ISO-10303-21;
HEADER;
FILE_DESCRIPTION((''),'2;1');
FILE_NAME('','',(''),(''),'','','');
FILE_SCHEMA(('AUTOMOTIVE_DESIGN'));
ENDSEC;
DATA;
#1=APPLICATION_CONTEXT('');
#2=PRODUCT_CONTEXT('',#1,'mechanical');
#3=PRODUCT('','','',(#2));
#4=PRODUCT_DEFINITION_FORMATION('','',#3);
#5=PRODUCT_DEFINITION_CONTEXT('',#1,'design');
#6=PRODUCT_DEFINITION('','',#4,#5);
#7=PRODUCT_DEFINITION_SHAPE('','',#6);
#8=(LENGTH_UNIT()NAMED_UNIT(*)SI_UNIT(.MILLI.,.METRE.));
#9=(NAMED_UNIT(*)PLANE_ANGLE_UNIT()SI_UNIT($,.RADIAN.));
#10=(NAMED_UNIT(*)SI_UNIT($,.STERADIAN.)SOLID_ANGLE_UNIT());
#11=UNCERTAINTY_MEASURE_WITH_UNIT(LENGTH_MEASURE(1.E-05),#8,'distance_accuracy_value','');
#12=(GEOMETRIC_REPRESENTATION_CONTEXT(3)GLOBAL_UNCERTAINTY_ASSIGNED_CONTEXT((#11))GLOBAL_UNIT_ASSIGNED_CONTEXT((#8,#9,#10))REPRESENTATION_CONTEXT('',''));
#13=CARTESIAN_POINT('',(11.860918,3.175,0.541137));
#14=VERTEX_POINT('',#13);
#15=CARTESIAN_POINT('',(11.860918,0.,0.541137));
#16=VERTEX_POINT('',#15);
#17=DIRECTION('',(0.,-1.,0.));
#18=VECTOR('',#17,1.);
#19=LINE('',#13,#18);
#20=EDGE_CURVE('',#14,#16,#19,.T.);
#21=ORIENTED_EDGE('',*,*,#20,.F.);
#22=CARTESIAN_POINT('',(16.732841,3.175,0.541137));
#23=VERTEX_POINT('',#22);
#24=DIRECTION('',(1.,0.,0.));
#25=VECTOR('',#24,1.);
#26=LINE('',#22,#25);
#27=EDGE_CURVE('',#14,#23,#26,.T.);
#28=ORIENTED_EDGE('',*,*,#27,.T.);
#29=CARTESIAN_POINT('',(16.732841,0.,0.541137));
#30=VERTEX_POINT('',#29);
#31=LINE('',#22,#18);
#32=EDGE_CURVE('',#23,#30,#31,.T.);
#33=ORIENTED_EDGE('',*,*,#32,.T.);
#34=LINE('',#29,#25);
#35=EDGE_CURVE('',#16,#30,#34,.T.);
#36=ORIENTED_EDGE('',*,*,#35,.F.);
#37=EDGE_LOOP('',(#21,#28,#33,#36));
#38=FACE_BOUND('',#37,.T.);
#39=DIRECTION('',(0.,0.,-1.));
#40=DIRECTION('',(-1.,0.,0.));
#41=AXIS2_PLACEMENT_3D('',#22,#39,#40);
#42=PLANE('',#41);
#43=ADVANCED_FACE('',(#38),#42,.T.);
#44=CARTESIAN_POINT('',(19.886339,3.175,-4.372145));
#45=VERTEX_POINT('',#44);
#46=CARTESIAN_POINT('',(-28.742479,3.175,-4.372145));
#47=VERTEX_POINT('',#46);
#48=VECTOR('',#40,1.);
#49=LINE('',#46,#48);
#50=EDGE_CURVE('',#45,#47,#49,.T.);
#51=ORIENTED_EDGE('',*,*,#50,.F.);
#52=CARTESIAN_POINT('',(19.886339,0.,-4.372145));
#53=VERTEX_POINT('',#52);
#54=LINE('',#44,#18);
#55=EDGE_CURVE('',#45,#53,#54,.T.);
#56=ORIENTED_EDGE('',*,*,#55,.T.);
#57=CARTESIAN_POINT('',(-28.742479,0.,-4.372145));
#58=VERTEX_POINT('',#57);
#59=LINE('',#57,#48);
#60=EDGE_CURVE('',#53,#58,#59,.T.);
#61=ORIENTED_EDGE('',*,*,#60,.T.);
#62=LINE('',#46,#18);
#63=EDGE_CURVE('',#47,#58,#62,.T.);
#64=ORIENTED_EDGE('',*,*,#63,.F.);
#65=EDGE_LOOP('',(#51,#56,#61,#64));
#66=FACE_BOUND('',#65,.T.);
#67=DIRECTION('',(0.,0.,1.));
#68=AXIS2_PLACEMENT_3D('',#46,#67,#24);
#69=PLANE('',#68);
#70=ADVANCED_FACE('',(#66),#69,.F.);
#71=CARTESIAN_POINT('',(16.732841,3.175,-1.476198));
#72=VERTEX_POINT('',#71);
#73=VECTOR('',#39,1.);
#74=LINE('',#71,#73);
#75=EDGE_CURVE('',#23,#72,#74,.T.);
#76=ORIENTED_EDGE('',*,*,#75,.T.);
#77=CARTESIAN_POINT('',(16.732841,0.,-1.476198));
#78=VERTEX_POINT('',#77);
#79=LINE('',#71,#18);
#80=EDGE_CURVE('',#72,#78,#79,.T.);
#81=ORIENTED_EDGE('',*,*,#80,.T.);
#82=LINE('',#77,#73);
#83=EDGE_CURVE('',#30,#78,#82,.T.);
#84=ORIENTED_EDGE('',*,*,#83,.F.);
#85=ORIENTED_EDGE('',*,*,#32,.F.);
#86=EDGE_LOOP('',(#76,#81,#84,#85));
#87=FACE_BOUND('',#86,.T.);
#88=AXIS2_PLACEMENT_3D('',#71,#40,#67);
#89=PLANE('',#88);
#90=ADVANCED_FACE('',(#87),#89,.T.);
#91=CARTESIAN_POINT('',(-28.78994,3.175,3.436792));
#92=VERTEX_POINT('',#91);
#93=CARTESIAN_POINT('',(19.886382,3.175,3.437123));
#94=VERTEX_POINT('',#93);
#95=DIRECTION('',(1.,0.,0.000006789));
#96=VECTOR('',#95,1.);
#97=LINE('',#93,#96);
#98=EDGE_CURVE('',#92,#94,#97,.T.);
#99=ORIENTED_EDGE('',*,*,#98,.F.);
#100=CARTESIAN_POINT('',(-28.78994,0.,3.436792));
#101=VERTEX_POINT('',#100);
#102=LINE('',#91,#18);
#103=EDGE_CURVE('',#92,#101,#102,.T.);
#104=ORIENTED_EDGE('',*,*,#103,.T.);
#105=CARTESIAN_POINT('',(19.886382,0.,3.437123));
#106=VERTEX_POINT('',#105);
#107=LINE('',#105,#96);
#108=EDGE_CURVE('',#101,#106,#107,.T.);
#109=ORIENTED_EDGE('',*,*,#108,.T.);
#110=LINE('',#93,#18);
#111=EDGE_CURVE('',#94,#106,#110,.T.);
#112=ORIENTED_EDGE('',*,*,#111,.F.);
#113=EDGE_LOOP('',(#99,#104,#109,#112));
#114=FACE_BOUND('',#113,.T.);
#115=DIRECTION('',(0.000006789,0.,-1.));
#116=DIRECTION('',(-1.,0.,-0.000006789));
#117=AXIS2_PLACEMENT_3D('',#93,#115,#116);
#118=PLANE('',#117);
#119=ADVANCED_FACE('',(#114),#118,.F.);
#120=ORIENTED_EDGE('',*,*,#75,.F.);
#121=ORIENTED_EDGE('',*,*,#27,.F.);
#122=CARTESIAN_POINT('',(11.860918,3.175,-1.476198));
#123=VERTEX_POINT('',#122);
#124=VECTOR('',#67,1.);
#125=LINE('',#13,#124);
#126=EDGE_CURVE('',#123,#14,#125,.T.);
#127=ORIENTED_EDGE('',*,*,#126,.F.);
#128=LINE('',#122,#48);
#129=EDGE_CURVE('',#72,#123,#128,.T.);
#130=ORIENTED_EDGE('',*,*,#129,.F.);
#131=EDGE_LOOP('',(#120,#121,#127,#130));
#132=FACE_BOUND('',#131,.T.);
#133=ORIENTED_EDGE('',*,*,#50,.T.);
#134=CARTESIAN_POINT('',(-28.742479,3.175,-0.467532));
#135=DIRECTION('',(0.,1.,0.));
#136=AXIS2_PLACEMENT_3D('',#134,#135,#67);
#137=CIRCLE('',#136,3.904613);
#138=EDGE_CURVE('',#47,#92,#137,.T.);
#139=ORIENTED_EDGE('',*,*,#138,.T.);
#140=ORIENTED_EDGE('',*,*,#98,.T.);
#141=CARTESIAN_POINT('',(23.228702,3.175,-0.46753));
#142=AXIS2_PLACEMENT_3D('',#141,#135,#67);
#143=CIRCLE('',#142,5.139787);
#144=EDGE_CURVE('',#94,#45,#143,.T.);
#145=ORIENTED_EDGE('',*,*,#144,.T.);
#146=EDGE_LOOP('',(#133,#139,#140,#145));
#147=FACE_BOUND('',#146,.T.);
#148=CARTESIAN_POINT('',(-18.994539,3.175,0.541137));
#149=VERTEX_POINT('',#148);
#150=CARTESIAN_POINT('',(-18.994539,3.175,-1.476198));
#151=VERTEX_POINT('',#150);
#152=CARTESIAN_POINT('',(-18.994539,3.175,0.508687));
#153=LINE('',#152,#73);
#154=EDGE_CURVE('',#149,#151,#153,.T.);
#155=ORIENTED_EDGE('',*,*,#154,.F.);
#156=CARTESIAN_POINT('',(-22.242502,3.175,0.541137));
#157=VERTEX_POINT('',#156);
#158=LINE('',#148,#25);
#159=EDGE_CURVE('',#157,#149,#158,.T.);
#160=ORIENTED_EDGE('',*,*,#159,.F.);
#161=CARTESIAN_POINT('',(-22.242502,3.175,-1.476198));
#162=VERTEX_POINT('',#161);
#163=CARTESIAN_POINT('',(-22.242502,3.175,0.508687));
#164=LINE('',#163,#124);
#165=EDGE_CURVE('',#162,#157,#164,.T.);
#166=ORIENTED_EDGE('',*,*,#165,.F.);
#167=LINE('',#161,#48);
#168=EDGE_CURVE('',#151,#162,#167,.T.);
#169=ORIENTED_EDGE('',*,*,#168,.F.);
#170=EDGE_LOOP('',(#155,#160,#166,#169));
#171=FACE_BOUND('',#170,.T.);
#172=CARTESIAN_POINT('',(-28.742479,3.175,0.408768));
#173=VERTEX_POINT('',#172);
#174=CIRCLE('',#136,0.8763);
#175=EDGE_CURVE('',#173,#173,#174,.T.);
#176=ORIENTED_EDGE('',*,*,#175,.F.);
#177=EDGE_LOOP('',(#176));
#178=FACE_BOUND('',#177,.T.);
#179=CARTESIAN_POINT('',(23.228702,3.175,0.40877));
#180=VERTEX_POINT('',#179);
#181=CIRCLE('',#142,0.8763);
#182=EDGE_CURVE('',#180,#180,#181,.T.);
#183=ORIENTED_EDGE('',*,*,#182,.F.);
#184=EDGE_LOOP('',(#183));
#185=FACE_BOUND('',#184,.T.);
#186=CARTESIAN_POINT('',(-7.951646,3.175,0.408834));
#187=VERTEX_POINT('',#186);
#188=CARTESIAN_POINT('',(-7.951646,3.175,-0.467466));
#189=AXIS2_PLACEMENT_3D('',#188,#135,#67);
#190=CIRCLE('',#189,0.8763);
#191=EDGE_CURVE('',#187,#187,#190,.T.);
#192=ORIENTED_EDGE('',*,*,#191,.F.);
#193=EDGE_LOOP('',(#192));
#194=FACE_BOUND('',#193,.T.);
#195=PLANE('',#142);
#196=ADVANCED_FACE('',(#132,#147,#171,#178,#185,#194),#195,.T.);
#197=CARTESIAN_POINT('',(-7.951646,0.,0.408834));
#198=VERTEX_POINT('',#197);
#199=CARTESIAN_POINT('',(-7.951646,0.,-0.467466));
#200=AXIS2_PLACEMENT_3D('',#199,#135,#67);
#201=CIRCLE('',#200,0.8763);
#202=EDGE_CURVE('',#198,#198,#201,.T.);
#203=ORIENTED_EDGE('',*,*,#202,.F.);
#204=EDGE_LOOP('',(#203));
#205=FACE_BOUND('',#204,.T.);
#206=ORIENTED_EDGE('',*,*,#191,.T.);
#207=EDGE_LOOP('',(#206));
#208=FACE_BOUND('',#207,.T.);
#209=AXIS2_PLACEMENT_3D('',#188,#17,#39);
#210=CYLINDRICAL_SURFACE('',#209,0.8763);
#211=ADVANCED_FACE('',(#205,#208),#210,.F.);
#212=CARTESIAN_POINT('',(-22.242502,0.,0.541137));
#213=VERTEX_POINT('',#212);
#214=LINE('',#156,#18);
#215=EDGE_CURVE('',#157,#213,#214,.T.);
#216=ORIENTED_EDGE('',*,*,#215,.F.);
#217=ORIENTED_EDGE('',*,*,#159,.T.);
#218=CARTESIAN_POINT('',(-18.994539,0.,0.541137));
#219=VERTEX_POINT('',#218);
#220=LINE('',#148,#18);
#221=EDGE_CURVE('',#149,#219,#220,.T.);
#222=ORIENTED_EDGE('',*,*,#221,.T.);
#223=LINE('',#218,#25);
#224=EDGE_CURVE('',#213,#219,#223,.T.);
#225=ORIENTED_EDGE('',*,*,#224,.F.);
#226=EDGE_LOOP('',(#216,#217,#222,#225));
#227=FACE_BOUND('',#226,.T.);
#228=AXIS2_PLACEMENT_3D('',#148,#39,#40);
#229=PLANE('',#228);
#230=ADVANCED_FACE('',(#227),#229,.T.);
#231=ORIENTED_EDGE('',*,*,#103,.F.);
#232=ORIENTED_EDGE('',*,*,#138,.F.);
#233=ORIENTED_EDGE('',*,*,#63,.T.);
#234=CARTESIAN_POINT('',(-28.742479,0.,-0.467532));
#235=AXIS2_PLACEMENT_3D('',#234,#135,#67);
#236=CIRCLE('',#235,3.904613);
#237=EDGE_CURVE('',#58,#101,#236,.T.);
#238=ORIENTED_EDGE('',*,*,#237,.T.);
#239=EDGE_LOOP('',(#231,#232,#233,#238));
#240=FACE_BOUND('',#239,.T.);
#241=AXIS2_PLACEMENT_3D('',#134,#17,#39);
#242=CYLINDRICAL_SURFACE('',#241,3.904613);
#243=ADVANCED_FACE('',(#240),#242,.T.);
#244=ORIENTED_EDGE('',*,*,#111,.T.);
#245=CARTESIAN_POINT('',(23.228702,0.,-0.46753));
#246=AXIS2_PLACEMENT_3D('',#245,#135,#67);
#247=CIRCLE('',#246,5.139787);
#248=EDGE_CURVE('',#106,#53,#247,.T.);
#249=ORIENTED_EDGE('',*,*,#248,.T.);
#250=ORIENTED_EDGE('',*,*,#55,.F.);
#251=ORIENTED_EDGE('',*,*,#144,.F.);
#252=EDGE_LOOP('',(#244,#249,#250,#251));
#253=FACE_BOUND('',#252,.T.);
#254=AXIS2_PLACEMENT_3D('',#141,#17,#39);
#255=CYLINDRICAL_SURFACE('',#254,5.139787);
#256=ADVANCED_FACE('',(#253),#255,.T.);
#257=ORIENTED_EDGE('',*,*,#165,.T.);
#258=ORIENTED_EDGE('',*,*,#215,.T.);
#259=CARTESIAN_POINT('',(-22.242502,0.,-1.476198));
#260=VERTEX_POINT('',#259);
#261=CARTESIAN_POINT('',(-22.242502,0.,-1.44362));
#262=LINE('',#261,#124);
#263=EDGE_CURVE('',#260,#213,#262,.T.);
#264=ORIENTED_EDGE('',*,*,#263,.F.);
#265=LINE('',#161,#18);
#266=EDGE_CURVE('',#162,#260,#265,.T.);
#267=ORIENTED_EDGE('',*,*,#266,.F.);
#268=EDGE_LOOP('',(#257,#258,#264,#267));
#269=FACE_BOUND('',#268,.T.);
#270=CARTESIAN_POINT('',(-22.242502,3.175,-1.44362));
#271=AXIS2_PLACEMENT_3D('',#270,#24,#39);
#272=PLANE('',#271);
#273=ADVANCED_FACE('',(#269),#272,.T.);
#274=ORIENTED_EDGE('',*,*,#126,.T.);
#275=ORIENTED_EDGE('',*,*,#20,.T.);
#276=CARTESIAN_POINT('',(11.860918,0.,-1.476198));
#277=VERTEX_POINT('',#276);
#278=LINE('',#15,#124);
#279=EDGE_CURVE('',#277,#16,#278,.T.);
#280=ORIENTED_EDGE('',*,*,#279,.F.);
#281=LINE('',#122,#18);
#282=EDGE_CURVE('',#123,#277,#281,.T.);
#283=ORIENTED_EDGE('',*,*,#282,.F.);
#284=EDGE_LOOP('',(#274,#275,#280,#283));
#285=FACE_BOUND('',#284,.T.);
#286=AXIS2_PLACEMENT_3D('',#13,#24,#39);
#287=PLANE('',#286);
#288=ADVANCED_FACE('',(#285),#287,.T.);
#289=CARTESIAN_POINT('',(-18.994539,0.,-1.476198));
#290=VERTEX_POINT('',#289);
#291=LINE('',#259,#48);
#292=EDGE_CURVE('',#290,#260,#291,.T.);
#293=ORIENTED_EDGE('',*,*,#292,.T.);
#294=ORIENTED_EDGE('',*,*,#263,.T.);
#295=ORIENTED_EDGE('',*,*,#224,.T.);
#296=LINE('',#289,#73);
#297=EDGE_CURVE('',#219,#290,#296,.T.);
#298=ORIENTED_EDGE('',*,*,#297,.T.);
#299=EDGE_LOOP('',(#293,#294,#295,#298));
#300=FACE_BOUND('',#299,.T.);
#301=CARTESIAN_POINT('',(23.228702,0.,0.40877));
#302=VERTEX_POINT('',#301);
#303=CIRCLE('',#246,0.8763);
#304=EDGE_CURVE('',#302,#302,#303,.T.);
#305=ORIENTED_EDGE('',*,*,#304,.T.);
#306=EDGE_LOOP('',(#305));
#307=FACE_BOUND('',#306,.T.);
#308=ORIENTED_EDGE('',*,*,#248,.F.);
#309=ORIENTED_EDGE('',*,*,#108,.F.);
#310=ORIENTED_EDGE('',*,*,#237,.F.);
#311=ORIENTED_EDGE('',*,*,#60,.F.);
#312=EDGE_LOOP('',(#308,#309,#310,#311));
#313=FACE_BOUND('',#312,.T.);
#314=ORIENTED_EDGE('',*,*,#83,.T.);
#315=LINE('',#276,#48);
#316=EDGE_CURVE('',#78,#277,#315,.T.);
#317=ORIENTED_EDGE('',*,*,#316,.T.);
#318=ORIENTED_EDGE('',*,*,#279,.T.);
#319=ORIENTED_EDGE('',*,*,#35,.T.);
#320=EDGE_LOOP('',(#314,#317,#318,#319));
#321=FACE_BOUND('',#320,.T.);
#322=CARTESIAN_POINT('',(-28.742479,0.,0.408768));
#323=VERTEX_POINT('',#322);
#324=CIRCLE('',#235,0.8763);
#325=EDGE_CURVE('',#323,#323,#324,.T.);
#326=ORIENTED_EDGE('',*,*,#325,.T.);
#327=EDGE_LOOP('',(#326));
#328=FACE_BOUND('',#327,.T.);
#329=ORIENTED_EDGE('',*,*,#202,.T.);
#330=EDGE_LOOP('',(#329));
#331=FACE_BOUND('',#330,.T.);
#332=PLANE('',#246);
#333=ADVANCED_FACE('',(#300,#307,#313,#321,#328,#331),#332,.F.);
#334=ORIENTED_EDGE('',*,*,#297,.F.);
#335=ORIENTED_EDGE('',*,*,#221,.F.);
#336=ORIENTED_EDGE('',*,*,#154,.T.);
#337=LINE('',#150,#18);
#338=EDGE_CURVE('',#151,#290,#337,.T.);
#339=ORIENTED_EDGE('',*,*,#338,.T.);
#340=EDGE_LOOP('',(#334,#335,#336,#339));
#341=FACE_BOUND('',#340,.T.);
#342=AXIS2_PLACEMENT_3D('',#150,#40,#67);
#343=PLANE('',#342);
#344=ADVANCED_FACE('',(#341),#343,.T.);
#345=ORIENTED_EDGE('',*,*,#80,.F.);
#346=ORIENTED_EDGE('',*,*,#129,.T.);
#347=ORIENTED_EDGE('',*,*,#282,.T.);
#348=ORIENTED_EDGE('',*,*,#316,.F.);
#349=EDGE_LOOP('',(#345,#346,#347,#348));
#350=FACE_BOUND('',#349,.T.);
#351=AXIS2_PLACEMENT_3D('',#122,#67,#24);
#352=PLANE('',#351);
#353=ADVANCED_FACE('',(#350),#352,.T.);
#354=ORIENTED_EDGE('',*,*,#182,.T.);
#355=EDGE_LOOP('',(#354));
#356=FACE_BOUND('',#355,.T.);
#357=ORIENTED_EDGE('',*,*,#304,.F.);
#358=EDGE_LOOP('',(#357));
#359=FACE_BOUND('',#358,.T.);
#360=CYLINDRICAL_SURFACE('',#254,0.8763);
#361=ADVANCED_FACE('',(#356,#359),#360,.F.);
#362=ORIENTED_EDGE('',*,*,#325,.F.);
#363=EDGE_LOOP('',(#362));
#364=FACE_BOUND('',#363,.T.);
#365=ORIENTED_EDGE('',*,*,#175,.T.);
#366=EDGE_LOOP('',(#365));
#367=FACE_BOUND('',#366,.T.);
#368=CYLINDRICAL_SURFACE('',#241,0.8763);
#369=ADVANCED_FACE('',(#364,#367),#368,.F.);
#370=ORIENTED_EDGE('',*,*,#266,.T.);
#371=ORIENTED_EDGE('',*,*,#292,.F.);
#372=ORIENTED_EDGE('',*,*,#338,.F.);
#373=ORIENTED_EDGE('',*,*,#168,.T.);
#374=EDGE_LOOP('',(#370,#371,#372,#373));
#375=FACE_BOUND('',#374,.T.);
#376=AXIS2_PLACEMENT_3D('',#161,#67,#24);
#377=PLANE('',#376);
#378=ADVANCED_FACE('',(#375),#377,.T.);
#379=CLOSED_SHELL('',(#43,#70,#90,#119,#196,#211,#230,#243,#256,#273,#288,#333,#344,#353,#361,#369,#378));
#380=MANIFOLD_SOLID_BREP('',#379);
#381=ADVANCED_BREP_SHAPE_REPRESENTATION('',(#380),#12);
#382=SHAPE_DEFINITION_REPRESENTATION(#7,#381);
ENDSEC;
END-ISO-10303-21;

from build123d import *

# Parameters (mm, degrees)
SKETCH1_R           = 0.8763
SKETCH1_W           = 4.871922601
SKETCH1_H           = 2.01733498
BOSS_EXTRUDE1_DEPTH = 3.175


with BuildPart() as part:
    # Sketch1 → Boss-Extrude1 (new body)
    with BuildSketch(Plane(origin=(0, 0, 0), x_dir=(1, 0, 0), z_dir=(0, 1, 0))):
        with BuildLine():
            Line((19.886382458, -3.437122558), (-28.789940164, -3.436792079))
            ThreePointArc((-28.789940164, -3.436792079), (-32.647020001, 0.491263054), (-28.742479365, 4.372144967))
            Line((-28.742479365, 4.372144967), (19.886338504, 4.372144967))
            ThreePointArc((19.886338504, 4.372144967), (28.36848968, 0.467558945), (19.886382458, -3.437122558))
        make_face()
        with Locations(Location((-28.742479365, 0.467532217, 0), (0, 0, 270))):
            Circle(SKETCH1_R, mode=Mode.SUBTRACT)
        with Locations(Location((-7.951646395, 0.467466465, 0), (0, 0, 270))):
            Circle(SKETCH1_R, mode=Mode.SUBTRACT)
        with Locations(Location((23.228702339, 0.467530016, 0), (0, 0, 270))):
            Circle(SKETCH1_R, mode=Mode.SUBTRACT)
        Polygon((-22.242501784, 1.443620076), (-22.242501784, 1.476197509), (-18.994538581, 1.476197509), (-18.994538581, 1.443620076), (-18.994538581, -0.508687146), (-18.994538581, -0.541137472), (-22.242501784, -0.541137472), (-22.242501784, -0.508687146), align=None, mode=Mode.SUBTRACT)
        with Locations((14.296879657, 0.467530017)):
            Rectangle(SKETCH1_W, SKETCH1_H, mode=Mode.SUBTRACT)
    extrude(amount=BOSS_EXTRUDE1_DEPTH)


solid = part.part
